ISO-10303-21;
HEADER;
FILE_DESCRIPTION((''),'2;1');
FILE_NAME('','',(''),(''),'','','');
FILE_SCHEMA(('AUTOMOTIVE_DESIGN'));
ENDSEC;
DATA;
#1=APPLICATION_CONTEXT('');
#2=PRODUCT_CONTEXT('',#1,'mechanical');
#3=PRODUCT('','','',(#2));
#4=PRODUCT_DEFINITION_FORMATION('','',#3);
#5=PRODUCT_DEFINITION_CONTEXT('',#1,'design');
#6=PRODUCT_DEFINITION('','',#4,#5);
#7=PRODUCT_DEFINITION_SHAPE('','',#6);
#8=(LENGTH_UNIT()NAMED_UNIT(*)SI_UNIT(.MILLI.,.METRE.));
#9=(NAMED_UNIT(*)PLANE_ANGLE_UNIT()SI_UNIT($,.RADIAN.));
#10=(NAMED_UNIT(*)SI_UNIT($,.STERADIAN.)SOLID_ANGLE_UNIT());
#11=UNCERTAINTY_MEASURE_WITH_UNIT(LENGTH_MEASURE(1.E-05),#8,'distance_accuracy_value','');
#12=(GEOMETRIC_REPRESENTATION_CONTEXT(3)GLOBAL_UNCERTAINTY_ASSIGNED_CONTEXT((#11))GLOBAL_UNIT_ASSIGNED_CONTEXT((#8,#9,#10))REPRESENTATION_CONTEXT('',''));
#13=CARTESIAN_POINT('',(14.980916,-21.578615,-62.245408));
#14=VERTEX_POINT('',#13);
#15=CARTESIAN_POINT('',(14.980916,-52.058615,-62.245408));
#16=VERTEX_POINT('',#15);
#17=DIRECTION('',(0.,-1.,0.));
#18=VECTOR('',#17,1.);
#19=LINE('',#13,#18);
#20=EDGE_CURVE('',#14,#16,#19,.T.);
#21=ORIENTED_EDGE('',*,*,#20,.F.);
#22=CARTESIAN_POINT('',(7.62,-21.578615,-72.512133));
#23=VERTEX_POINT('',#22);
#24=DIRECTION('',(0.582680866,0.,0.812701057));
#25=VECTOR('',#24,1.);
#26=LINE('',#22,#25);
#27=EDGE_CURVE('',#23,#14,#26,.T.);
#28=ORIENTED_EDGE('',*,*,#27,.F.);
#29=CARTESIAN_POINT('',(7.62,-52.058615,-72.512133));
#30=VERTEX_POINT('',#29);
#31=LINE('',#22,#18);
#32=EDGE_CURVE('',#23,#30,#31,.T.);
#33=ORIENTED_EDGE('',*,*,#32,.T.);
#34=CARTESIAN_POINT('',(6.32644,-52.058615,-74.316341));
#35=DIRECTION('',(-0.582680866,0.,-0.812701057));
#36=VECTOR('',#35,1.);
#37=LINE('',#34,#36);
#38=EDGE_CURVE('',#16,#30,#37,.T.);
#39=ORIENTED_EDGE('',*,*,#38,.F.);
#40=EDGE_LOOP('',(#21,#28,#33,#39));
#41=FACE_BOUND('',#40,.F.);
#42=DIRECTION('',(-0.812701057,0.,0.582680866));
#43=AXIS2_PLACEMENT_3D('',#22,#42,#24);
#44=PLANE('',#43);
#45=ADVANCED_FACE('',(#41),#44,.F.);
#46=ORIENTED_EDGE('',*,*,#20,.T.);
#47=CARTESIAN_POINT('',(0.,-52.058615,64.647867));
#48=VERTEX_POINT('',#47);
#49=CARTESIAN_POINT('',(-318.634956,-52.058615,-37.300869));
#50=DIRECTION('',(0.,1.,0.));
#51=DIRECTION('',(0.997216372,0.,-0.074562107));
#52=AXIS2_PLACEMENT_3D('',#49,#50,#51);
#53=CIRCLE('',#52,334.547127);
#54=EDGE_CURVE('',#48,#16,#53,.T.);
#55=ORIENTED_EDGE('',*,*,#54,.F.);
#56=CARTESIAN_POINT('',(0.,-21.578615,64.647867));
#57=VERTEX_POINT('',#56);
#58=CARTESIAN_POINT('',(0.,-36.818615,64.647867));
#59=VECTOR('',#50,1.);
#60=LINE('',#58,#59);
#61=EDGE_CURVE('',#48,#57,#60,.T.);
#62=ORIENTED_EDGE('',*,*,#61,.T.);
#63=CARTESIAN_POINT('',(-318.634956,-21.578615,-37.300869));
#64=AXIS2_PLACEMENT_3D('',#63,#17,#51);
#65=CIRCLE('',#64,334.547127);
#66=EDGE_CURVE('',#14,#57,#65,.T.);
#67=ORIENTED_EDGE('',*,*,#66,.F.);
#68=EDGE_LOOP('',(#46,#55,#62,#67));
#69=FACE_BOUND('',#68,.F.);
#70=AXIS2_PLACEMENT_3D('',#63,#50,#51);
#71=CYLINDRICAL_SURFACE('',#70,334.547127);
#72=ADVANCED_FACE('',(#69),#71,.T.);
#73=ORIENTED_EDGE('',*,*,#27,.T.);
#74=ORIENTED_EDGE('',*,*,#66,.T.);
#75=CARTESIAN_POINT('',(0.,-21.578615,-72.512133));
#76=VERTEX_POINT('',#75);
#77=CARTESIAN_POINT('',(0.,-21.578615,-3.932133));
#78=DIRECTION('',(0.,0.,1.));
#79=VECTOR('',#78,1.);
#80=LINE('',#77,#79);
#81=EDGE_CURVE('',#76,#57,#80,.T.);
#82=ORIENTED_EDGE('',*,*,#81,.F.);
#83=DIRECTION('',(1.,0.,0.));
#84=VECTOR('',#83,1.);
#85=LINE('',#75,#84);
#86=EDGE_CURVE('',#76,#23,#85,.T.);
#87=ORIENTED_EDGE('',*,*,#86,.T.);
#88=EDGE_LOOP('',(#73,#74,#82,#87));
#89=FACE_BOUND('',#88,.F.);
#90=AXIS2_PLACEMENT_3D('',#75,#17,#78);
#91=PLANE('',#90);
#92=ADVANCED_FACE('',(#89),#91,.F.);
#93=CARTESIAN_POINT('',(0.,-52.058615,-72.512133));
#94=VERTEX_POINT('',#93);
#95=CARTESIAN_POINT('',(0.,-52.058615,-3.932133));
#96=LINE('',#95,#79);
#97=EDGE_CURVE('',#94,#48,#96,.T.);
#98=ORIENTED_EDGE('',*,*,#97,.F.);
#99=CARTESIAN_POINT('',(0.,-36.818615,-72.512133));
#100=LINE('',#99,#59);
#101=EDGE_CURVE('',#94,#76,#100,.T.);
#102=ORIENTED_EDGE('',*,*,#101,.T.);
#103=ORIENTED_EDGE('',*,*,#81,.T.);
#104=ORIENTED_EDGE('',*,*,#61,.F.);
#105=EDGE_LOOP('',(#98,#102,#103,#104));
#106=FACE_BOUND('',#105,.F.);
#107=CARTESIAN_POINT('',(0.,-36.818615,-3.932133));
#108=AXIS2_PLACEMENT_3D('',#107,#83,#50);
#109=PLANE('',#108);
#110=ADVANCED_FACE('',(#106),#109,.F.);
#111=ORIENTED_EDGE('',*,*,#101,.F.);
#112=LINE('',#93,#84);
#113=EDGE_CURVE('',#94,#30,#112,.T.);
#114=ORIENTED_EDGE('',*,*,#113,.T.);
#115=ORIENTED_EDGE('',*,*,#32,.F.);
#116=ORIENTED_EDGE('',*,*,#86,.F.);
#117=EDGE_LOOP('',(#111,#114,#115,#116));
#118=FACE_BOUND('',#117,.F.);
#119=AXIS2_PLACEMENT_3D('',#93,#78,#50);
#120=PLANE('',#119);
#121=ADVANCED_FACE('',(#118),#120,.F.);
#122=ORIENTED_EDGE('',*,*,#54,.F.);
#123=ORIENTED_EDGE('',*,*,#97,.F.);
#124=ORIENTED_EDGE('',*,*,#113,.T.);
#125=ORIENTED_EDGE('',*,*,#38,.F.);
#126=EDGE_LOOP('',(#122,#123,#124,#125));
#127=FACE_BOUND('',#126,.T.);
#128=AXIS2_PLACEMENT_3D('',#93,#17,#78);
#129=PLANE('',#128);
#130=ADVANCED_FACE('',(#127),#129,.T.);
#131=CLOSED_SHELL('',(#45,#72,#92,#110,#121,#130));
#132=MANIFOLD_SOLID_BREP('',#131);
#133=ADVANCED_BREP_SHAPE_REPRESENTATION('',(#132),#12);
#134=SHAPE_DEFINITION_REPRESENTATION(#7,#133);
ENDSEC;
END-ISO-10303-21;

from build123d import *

# Parameters (mm, degrees)
F0_W     = 30.48
F0_H     = 137.16
F1_DEPTH = 25.4
F3_DEPTH = 50.8


with BuildPart() as f1:
    # F0 (on Right) → F1 (new body)
    with BuildSketch(Plane.YZ):
        with Locations((-36.818615, -3.932133)):
            Rectangle(F0_W, F0_H)
    extrude(amount=F1_DEPTH)

    # F2 (on face) → F3 (cut)
    with BuildSketch(Plane(origin=(0, -21.578615, 0), x_dir=(-1, 0, 0), z_dir=(0, 1, 0))):
        Polygon((-25.4, -72.512133), (-7.62, -72.512133), (-14.980916, -62.245408), (-25.4, -47.713265), align=None)
        with BuildLine():
            Line((-25.4, -47.713265), (-14.980916, -62.245408))
            ThreePointArc((-14.980916, -62.245408), (-13.604809, 1.923085), (0, 64.647867))
            Line((0, 64.647867), (-25.4, 64.647867))
            Line((-25.4, 64.647867), (-25.4, -47.713265))
        make_face()
    extrude(amount=-F3_DEPTH, mode=Mode.SUBTRACT)


solid = f1.part
